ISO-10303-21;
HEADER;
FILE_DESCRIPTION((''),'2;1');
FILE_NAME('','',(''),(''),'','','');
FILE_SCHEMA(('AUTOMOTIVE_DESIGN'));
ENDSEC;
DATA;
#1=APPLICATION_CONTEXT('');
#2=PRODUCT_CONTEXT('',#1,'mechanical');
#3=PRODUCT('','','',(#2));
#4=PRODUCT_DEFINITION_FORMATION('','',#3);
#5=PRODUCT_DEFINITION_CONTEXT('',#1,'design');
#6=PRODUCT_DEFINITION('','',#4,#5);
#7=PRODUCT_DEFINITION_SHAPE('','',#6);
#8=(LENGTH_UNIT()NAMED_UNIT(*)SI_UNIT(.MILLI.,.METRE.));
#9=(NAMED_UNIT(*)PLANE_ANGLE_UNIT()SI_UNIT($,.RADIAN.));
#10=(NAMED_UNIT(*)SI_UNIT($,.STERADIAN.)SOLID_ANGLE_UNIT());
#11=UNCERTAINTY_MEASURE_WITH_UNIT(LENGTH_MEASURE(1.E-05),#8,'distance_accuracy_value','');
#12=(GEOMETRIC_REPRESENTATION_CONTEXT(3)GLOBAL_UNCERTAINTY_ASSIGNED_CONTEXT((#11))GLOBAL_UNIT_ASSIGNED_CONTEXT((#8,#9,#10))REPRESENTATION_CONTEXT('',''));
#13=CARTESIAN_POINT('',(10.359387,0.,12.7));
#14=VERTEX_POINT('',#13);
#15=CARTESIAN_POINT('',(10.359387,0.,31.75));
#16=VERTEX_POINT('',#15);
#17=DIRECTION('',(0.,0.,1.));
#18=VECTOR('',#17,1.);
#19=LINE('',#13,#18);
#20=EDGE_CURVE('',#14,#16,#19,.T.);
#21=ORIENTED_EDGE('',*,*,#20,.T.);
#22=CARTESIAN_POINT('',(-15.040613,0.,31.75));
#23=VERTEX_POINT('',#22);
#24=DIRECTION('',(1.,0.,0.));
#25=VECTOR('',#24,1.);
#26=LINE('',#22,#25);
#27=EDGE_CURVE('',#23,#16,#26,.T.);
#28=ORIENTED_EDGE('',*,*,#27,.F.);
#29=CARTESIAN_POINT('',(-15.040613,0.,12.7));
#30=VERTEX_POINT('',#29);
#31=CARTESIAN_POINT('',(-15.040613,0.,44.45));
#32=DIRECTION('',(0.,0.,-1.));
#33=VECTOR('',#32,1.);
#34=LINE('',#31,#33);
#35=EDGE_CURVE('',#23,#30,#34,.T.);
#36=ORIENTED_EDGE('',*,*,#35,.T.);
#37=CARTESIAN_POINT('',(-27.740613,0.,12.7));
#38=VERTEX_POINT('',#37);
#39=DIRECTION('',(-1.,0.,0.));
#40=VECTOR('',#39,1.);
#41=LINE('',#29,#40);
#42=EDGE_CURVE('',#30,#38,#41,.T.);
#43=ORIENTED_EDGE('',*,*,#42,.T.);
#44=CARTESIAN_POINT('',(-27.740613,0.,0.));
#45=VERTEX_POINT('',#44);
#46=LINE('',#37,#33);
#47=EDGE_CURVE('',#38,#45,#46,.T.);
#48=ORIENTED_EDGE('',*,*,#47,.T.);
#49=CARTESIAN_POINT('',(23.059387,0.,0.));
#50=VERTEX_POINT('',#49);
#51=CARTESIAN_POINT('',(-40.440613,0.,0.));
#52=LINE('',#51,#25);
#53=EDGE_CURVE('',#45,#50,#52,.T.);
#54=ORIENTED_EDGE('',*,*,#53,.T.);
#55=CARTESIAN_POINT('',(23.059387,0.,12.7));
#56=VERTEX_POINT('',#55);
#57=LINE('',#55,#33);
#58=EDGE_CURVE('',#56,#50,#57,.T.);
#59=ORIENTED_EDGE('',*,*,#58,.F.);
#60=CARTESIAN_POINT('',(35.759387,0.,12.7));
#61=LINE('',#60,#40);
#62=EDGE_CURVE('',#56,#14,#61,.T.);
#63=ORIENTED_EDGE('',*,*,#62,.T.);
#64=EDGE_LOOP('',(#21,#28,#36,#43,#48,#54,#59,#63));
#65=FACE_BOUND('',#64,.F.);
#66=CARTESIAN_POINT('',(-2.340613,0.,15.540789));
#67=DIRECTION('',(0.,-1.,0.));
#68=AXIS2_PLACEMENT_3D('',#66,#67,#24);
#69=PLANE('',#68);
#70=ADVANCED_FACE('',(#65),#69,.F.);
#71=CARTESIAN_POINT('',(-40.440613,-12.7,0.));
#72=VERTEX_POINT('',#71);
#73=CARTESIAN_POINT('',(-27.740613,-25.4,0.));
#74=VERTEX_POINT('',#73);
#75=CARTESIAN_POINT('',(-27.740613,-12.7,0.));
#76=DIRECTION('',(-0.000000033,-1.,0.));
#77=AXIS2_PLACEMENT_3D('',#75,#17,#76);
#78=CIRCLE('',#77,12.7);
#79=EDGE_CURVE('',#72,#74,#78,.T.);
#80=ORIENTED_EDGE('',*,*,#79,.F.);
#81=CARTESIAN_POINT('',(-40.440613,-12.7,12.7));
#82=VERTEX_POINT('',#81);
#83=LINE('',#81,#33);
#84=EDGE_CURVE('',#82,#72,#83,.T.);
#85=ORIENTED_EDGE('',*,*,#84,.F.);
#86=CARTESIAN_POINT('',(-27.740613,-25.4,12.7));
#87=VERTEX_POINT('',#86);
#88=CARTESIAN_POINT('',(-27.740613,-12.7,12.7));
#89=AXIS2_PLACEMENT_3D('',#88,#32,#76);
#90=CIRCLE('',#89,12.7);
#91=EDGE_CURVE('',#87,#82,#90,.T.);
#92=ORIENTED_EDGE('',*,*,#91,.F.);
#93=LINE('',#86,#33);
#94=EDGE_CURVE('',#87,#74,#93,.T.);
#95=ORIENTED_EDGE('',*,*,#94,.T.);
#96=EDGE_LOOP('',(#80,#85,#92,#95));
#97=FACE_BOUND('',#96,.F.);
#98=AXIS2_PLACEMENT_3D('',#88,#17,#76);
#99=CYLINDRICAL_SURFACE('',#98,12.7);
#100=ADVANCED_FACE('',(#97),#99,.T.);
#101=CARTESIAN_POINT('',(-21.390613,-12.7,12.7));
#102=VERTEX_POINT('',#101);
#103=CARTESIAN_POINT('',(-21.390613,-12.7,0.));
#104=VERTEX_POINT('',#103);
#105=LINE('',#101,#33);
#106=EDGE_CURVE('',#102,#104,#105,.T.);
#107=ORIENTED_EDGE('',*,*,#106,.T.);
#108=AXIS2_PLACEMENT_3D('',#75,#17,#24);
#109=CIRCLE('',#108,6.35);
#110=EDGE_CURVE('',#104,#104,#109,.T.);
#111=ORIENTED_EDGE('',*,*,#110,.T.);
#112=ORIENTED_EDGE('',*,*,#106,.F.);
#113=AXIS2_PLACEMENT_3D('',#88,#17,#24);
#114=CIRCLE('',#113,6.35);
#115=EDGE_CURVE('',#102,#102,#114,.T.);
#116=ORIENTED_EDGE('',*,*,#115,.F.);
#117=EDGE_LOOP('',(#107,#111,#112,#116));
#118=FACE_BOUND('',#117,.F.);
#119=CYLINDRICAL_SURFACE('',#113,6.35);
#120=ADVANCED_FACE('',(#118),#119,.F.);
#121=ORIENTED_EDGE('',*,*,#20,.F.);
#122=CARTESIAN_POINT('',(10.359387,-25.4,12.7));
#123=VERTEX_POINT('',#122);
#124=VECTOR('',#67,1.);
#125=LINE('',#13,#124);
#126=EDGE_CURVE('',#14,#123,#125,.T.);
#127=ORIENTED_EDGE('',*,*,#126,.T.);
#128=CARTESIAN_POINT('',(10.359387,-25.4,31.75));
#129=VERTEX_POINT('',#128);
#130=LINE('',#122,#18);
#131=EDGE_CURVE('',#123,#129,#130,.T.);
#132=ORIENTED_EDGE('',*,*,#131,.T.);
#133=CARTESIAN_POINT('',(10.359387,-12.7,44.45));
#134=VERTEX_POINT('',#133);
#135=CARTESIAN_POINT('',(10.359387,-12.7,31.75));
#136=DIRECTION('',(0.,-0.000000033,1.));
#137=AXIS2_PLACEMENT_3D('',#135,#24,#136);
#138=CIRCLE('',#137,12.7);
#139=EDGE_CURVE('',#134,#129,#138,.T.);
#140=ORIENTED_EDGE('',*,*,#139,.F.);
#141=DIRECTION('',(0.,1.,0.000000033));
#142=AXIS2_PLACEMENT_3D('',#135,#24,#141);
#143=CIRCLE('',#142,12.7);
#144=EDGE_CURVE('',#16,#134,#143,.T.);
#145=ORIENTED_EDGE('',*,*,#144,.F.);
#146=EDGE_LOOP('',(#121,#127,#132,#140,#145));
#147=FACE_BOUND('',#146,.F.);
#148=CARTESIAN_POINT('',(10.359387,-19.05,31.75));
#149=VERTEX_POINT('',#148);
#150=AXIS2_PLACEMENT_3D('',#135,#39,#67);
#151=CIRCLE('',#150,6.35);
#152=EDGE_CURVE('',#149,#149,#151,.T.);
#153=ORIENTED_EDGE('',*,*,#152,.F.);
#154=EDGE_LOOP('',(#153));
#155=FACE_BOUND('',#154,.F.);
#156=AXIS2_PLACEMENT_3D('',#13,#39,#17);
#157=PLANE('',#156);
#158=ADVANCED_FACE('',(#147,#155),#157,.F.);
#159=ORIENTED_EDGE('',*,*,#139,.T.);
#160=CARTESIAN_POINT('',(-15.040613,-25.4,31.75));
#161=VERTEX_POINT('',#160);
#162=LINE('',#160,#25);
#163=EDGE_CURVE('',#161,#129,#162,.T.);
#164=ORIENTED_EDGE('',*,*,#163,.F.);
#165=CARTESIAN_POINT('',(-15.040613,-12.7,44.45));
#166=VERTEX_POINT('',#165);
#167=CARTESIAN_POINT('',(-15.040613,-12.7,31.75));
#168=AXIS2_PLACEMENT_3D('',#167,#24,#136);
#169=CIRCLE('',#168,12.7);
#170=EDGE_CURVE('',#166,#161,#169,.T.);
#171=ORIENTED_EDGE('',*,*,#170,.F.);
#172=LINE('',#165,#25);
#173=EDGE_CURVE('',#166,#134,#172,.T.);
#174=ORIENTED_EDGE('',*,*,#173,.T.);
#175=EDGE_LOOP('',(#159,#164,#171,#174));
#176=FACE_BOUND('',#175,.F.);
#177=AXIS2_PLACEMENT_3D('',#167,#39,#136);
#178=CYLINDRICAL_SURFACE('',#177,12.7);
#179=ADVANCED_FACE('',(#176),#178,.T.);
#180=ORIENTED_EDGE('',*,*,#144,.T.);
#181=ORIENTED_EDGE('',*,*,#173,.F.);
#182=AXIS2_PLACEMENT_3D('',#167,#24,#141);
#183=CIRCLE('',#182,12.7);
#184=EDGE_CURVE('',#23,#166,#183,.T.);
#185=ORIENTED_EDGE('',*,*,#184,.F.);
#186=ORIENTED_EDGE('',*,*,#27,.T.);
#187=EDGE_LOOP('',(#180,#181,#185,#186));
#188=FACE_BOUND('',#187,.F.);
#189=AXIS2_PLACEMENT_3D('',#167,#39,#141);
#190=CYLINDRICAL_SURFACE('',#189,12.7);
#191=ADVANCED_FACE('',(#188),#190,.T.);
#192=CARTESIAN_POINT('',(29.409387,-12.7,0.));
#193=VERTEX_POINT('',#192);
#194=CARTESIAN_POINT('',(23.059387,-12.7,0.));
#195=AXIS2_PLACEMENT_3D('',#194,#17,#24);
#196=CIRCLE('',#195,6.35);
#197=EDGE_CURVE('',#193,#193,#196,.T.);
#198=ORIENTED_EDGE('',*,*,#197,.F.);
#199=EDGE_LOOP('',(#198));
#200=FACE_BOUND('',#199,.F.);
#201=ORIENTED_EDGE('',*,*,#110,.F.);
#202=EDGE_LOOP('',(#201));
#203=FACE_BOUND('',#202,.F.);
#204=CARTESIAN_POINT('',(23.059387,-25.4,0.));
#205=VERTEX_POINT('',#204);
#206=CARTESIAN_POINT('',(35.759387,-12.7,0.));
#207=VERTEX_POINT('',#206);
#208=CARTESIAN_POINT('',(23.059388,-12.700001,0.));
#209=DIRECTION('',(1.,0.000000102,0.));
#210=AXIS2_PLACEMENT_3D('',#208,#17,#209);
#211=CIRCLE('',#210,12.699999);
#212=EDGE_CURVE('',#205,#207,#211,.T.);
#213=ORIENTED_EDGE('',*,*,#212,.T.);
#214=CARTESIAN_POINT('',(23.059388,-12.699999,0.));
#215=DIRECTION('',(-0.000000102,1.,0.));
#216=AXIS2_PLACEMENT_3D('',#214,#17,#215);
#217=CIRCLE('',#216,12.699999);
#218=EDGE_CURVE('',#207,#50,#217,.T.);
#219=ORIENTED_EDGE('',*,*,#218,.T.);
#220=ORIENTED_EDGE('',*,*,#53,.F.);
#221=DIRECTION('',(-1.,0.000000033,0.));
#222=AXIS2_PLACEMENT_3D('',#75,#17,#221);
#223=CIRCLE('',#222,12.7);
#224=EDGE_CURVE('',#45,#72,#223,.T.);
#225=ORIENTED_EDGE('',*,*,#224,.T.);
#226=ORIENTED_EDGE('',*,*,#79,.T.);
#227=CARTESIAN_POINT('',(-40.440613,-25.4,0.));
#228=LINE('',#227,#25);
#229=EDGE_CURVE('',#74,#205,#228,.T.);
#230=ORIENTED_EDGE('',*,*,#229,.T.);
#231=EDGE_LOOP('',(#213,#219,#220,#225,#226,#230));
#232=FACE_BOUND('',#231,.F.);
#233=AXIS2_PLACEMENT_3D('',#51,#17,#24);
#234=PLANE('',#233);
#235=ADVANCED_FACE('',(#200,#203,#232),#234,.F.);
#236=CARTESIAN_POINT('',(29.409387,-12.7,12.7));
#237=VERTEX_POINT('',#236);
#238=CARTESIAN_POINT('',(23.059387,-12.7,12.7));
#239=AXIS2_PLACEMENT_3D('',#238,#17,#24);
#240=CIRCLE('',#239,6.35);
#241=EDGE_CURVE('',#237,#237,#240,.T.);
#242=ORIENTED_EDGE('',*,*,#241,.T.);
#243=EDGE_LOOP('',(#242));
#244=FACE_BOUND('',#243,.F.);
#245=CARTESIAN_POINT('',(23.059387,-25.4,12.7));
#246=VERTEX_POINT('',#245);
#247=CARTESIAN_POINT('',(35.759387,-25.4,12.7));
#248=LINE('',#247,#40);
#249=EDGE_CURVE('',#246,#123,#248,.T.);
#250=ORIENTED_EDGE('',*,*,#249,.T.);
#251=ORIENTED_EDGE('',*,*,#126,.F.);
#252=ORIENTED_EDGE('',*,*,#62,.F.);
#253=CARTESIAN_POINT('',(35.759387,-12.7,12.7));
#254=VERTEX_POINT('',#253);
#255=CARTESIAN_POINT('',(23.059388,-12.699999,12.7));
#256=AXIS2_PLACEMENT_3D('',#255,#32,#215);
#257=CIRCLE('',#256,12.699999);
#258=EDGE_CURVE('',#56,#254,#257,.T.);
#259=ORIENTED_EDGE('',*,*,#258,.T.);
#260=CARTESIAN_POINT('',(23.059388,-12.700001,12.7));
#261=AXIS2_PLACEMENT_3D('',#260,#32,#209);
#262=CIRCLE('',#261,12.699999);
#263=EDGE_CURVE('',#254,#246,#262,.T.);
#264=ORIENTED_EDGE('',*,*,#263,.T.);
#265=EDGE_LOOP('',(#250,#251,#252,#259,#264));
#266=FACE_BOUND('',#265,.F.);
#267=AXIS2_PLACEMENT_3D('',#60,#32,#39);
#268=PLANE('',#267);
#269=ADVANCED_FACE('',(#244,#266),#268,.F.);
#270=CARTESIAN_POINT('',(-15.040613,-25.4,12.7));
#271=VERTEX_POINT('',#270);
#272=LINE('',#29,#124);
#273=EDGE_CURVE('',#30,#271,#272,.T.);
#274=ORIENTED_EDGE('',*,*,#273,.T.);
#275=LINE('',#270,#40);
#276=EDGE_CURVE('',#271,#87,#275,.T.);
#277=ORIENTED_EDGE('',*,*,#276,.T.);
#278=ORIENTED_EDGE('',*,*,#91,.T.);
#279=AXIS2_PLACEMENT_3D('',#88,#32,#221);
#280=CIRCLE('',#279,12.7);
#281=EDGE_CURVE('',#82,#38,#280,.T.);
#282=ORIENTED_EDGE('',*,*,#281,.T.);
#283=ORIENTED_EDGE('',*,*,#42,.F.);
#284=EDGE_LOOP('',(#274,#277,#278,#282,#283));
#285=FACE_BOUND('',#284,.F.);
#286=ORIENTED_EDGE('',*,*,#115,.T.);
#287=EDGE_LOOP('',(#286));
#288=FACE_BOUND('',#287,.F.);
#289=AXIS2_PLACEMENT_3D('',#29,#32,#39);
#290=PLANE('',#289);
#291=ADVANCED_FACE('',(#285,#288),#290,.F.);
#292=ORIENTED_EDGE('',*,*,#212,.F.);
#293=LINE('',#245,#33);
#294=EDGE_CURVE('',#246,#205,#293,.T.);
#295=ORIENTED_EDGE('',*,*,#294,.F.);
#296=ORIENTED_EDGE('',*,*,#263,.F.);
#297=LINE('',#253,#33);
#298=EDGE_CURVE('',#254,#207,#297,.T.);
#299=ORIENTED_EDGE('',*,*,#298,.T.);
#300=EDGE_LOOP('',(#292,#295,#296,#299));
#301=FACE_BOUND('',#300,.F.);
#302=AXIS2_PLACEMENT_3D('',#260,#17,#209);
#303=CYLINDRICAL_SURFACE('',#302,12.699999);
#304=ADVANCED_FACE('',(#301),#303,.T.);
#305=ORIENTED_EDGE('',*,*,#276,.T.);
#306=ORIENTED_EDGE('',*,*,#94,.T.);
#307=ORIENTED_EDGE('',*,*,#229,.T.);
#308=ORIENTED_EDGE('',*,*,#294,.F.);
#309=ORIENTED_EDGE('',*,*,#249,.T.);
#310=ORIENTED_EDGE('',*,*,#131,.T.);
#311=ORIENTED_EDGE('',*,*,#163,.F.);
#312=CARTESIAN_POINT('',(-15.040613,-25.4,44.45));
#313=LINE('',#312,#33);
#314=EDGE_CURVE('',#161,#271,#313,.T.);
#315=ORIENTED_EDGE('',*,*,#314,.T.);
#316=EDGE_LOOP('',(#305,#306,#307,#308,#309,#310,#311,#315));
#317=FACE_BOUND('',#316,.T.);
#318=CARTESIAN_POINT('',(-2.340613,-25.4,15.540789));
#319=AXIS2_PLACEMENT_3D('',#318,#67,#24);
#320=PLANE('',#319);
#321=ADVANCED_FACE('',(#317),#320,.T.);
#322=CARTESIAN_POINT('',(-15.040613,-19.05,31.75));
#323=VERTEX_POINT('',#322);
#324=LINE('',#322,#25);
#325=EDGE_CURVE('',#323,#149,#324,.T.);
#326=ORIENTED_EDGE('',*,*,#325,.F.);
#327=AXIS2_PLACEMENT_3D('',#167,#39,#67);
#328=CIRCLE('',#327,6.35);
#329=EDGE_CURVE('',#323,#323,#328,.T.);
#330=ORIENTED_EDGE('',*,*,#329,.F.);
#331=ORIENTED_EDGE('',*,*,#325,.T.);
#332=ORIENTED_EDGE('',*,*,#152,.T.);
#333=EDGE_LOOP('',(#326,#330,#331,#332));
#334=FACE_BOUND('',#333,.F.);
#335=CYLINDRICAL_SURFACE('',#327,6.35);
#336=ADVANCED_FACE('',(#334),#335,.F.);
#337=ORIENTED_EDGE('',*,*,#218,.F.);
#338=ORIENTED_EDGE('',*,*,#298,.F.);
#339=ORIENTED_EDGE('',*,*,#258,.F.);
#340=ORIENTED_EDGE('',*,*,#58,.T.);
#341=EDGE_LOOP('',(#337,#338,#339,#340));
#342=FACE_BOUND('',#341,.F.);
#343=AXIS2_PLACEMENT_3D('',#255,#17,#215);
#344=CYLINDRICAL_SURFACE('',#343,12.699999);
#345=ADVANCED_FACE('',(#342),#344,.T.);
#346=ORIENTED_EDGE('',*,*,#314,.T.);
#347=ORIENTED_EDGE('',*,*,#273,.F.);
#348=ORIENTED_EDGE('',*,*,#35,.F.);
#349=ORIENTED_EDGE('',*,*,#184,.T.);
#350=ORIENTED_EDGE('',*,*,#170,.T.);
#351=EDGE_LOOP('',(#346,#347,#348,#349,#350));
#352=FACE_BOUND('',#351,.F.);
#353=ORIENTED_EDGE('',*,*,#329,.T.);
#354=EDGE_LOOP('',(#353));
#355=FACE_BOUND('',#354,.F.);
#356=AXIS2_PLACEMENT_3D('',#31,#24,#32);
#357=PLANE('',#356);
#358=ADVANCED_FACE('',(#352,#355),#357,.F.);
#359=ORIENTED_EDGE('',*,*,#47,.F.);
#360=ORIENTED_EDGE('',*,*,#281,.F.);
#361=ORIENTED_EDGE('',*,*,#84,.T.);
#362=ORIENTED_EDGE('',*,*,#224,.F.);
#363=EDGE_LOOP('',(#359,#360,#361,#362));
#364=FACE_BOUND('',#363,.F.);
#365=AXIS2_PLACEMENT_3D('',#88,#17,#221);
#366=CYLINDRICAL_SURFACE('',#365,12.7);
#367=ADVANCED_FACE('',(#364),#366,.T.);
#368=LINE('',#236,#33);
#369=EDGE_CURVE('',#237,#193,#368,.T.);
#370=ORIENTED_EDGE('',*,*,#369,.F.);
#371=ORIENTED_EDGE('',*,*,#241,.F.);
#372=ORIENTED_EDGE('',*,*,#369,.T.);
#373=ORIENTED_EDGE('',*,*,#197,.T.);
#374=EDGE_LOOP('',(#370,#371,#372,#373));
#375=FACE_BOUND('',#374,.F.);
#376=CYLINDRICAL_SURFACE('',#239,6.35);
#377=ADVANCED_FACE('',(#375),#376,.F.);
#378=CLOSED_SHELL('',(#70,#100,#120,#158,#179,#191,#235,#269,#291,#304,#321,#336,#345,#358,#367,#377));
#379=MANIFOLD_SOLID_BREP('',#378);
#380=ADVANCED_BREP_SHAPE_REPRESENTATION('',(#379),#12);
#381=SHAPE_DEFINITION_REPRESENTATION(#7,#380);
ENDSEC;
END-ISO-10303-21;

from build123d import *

# Parameters (mm, degrees)
F1_DEPTH = 25.4
F2_R     = 6.35
F3_DEPTH = 25.4
F4_R     = 6.35
F5_DEPTH = 12.701
F6_R     = 6.35
F7_DEPTH = 12.701


with BuildPart() as f1:
    # F0 (on Front) → F1 (new body)
    with BuildSketch(Plane.XZ):
        Polygon((-40.440613, 12.7), (-40.440613, 0), (35.759387, 0), (35.759387, 12.7), (10.359387, 12.7), (10.359387, 44.45), (-15.040613, 44.45), (-15.040613, 12.7), align=None)
    extrude(amount=F1_DEPTH)

    # F2 (on face) → F3 (cut)
    with BuildSketch(Plane(origin=(-15.040613, 0, 0), x_dir=(0, -1, 0), z_dir=(-1, 0, 0))):
        with BuildLine():
            ThreePointArc((12.7, 44.45), (21.680256, 40.730256), (25.4, 31.75))
            Line((25.4, 31.75), (25.4, 44.45))
            Line((25.4, 44.45), (12.7, 44.45))
        make_face()
        with BuildLine():
            ThreePointArc((0, 31.75), (3.719744, 40.730256), (12.7, 44.45))
            Line((12.7, 44.45), (0, 44.45))
            Line((0, 44.45), (0, 31.75))
        make_face()
        with Locations((12.7, 31.75)):
            Circle(F2_R)
    extrude(amount=-F3_DEPTH, mode=Mode.SUBTRACT)

    # F4 (on face) → F5 (cut, through all)
    with BuildSketch(Plane.XY.offset(12.7)):
        with Locations((-27.740613, -12.7)):
            Circle(F4_R)
        with BuildLine():
            ThreePointArc((-40.440613, -12.7), (-36.720869, -3.719744), (-27.740613, 0))
            Line((-27.740613, 0), (-40.440613, 0))
            Line((-40.440613, 0), (-40.440613, -12.7))
        make_face()
        with BuildLine():
            ThreePointArc((-27.740613, -25.4), (-36.720869, -21.680256), (-40.440613, -12.7))
            Line((-40.440613, -12.7), (-40.440613, -25.4))
            Line((-40.440613, -25.4), (-27.740613, -25.4))
        make_face()
    extrude(amount=-F5_DEPTH, mode=Mode.SUBTRACT)

    # F6 (on face) → F7 (cut, through all)
    with BuildSketch(Plane.XY.offset(12.7)):
        with BuildLine():
            ThreePointArc((23.059387, 0), (32.039644, -3.719744), (35.759387, -12.7))
            Line((35.759387, -12.7), (35.759387, 0))
            Line((35.759387, 0), (23.059387, 0))
        make_face()
        with BuildLine():
            ThreePointArc((35.759387, -12.7), (32.039644, -21.680256), (23.059387, -25.4))
            Line((23.059387, -25.4), (35.759387, -25.4))
            Line((35.759387, -25.4), (35.759387, -12.7))
        make_face()
        with Locations((23.059387, -12.7)):
            Circle(F6_R)
    extrude(amount=-F7_DEPTH, mode=Mode.SUBTRACT)


solid = f1.part
